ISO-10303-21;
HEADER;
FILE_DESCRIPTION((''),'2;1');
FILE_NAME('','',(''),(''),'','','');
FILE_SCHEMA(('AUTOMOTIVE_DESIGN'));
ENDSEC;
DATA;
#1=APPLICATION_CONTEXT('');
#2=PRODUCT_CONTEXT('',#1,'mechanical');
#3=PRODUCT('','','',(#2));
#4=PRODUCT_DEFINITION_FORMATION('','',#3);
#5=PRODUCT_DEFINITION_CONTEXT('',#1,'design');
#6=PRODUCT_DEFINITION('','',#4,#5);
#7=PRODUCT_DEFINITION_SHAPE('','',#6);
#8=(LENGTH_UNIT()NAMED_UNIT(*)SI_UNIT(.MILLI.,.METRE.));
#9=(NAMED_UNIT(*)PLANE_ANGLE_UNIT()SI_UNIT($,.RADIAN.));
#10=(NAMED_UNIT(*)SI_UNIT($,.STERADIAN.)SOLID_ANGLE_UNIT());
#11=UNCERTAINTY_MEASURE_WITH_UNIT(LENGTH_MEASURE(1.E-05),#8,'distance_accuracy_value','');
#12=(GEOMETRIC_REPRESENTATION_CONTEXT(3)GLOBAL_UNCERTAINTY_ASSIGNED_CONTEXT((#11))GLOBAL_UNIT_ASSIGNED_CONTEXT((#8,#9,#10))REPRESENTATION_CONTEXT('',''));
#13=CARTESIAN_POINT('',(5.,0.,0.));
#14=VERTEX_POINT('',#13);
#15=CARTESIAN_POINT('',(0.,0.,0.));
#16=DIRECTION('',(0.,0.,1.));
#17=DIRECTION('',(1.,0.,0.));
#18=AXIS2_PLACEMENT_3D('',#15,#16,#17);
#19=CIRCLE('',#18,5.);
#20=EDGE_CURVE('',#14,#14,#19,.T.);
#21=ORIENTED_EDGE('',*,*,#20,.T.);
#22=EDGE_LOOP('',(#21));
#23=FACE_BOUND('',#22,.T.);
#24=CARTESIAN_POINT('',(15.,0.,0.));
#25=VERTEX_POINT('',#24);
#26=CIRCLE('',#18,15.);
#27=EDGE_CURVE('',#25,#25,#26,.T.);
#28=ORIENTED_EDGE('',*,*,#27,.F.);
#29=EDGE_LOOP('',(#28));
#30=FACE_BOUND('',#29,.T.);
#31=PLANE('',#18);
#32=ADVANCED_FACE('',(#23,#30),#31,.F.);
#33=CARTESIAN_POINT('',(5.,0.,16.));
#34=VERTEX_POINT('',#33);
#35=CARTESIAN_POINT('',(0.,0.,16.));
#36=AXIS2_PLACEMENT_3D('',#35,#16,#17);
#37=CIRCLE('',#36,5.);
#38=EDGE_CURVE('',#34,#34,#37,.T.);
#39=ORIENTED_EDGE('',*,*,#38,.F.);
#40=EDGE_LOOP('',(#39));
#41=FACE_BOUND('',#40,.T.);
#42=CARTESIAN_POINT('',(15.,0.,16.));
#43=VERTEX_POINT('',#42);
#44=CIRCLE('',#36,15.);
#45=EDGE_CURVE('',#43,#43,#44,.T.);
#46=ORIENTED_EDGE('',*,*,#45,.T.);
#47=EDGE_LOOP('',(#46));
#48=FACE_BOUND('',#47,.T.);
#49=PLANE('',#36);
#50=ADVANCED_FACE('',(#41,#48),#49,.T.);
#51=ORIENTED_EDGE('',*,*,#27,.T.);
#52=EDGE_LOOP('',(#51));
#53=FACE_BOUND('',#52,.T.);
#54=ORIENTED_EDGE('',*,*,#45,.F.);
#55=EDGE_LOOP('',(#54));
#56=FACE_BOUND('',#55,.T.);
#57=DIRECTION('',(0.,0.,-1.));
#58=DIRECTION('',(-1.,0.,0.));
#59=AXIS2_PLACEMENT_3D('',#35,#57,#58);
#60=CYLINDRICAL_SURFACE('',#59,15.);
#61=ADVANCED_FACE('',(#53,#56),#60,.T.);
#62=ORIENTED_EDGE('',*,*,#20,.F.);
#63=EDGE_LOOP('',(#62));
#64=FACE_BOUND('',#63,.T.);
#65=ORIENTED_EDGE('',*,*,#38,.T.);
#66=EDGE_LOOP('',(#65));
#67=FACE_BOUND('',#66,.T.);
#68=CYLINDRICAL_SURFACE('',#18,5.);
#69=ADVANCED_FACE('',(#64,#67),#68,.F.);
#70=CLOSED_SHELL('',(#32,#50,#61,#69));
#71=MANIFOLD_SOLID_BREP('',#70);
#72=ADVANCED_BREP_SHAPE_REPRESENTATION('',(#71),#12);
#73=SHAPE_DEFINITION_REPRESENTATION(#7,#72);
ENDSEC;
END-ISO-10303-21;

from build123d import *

# Parameters (mm, degrees)
SKETCH1_R           = 15
BOSS_EXTRUDE1_DEPTH = 16
SKETCH2_R           = 5
CUT_EXTRUDE1_DEPTH  = 16


with BuildPart() as part:
    # Sketch1 → Boss-Extrude1 (new body)
    with BuildSketch(Plane.XY):
        Circle(SKETCH1_R)
    extrude(amount=BOSS_EXTRUDE1_DEPTH)

    # Sketch2 → Cut-Extrude1 (cut)
    with BuildSketch(Plane.XY.offset(16)):
        Circle(SKETCH2_R)
    extrude(amount=-CUT_EXTRUDE1_DEPTH, mode=Mode.SUBTRACT)


solid = part.part
